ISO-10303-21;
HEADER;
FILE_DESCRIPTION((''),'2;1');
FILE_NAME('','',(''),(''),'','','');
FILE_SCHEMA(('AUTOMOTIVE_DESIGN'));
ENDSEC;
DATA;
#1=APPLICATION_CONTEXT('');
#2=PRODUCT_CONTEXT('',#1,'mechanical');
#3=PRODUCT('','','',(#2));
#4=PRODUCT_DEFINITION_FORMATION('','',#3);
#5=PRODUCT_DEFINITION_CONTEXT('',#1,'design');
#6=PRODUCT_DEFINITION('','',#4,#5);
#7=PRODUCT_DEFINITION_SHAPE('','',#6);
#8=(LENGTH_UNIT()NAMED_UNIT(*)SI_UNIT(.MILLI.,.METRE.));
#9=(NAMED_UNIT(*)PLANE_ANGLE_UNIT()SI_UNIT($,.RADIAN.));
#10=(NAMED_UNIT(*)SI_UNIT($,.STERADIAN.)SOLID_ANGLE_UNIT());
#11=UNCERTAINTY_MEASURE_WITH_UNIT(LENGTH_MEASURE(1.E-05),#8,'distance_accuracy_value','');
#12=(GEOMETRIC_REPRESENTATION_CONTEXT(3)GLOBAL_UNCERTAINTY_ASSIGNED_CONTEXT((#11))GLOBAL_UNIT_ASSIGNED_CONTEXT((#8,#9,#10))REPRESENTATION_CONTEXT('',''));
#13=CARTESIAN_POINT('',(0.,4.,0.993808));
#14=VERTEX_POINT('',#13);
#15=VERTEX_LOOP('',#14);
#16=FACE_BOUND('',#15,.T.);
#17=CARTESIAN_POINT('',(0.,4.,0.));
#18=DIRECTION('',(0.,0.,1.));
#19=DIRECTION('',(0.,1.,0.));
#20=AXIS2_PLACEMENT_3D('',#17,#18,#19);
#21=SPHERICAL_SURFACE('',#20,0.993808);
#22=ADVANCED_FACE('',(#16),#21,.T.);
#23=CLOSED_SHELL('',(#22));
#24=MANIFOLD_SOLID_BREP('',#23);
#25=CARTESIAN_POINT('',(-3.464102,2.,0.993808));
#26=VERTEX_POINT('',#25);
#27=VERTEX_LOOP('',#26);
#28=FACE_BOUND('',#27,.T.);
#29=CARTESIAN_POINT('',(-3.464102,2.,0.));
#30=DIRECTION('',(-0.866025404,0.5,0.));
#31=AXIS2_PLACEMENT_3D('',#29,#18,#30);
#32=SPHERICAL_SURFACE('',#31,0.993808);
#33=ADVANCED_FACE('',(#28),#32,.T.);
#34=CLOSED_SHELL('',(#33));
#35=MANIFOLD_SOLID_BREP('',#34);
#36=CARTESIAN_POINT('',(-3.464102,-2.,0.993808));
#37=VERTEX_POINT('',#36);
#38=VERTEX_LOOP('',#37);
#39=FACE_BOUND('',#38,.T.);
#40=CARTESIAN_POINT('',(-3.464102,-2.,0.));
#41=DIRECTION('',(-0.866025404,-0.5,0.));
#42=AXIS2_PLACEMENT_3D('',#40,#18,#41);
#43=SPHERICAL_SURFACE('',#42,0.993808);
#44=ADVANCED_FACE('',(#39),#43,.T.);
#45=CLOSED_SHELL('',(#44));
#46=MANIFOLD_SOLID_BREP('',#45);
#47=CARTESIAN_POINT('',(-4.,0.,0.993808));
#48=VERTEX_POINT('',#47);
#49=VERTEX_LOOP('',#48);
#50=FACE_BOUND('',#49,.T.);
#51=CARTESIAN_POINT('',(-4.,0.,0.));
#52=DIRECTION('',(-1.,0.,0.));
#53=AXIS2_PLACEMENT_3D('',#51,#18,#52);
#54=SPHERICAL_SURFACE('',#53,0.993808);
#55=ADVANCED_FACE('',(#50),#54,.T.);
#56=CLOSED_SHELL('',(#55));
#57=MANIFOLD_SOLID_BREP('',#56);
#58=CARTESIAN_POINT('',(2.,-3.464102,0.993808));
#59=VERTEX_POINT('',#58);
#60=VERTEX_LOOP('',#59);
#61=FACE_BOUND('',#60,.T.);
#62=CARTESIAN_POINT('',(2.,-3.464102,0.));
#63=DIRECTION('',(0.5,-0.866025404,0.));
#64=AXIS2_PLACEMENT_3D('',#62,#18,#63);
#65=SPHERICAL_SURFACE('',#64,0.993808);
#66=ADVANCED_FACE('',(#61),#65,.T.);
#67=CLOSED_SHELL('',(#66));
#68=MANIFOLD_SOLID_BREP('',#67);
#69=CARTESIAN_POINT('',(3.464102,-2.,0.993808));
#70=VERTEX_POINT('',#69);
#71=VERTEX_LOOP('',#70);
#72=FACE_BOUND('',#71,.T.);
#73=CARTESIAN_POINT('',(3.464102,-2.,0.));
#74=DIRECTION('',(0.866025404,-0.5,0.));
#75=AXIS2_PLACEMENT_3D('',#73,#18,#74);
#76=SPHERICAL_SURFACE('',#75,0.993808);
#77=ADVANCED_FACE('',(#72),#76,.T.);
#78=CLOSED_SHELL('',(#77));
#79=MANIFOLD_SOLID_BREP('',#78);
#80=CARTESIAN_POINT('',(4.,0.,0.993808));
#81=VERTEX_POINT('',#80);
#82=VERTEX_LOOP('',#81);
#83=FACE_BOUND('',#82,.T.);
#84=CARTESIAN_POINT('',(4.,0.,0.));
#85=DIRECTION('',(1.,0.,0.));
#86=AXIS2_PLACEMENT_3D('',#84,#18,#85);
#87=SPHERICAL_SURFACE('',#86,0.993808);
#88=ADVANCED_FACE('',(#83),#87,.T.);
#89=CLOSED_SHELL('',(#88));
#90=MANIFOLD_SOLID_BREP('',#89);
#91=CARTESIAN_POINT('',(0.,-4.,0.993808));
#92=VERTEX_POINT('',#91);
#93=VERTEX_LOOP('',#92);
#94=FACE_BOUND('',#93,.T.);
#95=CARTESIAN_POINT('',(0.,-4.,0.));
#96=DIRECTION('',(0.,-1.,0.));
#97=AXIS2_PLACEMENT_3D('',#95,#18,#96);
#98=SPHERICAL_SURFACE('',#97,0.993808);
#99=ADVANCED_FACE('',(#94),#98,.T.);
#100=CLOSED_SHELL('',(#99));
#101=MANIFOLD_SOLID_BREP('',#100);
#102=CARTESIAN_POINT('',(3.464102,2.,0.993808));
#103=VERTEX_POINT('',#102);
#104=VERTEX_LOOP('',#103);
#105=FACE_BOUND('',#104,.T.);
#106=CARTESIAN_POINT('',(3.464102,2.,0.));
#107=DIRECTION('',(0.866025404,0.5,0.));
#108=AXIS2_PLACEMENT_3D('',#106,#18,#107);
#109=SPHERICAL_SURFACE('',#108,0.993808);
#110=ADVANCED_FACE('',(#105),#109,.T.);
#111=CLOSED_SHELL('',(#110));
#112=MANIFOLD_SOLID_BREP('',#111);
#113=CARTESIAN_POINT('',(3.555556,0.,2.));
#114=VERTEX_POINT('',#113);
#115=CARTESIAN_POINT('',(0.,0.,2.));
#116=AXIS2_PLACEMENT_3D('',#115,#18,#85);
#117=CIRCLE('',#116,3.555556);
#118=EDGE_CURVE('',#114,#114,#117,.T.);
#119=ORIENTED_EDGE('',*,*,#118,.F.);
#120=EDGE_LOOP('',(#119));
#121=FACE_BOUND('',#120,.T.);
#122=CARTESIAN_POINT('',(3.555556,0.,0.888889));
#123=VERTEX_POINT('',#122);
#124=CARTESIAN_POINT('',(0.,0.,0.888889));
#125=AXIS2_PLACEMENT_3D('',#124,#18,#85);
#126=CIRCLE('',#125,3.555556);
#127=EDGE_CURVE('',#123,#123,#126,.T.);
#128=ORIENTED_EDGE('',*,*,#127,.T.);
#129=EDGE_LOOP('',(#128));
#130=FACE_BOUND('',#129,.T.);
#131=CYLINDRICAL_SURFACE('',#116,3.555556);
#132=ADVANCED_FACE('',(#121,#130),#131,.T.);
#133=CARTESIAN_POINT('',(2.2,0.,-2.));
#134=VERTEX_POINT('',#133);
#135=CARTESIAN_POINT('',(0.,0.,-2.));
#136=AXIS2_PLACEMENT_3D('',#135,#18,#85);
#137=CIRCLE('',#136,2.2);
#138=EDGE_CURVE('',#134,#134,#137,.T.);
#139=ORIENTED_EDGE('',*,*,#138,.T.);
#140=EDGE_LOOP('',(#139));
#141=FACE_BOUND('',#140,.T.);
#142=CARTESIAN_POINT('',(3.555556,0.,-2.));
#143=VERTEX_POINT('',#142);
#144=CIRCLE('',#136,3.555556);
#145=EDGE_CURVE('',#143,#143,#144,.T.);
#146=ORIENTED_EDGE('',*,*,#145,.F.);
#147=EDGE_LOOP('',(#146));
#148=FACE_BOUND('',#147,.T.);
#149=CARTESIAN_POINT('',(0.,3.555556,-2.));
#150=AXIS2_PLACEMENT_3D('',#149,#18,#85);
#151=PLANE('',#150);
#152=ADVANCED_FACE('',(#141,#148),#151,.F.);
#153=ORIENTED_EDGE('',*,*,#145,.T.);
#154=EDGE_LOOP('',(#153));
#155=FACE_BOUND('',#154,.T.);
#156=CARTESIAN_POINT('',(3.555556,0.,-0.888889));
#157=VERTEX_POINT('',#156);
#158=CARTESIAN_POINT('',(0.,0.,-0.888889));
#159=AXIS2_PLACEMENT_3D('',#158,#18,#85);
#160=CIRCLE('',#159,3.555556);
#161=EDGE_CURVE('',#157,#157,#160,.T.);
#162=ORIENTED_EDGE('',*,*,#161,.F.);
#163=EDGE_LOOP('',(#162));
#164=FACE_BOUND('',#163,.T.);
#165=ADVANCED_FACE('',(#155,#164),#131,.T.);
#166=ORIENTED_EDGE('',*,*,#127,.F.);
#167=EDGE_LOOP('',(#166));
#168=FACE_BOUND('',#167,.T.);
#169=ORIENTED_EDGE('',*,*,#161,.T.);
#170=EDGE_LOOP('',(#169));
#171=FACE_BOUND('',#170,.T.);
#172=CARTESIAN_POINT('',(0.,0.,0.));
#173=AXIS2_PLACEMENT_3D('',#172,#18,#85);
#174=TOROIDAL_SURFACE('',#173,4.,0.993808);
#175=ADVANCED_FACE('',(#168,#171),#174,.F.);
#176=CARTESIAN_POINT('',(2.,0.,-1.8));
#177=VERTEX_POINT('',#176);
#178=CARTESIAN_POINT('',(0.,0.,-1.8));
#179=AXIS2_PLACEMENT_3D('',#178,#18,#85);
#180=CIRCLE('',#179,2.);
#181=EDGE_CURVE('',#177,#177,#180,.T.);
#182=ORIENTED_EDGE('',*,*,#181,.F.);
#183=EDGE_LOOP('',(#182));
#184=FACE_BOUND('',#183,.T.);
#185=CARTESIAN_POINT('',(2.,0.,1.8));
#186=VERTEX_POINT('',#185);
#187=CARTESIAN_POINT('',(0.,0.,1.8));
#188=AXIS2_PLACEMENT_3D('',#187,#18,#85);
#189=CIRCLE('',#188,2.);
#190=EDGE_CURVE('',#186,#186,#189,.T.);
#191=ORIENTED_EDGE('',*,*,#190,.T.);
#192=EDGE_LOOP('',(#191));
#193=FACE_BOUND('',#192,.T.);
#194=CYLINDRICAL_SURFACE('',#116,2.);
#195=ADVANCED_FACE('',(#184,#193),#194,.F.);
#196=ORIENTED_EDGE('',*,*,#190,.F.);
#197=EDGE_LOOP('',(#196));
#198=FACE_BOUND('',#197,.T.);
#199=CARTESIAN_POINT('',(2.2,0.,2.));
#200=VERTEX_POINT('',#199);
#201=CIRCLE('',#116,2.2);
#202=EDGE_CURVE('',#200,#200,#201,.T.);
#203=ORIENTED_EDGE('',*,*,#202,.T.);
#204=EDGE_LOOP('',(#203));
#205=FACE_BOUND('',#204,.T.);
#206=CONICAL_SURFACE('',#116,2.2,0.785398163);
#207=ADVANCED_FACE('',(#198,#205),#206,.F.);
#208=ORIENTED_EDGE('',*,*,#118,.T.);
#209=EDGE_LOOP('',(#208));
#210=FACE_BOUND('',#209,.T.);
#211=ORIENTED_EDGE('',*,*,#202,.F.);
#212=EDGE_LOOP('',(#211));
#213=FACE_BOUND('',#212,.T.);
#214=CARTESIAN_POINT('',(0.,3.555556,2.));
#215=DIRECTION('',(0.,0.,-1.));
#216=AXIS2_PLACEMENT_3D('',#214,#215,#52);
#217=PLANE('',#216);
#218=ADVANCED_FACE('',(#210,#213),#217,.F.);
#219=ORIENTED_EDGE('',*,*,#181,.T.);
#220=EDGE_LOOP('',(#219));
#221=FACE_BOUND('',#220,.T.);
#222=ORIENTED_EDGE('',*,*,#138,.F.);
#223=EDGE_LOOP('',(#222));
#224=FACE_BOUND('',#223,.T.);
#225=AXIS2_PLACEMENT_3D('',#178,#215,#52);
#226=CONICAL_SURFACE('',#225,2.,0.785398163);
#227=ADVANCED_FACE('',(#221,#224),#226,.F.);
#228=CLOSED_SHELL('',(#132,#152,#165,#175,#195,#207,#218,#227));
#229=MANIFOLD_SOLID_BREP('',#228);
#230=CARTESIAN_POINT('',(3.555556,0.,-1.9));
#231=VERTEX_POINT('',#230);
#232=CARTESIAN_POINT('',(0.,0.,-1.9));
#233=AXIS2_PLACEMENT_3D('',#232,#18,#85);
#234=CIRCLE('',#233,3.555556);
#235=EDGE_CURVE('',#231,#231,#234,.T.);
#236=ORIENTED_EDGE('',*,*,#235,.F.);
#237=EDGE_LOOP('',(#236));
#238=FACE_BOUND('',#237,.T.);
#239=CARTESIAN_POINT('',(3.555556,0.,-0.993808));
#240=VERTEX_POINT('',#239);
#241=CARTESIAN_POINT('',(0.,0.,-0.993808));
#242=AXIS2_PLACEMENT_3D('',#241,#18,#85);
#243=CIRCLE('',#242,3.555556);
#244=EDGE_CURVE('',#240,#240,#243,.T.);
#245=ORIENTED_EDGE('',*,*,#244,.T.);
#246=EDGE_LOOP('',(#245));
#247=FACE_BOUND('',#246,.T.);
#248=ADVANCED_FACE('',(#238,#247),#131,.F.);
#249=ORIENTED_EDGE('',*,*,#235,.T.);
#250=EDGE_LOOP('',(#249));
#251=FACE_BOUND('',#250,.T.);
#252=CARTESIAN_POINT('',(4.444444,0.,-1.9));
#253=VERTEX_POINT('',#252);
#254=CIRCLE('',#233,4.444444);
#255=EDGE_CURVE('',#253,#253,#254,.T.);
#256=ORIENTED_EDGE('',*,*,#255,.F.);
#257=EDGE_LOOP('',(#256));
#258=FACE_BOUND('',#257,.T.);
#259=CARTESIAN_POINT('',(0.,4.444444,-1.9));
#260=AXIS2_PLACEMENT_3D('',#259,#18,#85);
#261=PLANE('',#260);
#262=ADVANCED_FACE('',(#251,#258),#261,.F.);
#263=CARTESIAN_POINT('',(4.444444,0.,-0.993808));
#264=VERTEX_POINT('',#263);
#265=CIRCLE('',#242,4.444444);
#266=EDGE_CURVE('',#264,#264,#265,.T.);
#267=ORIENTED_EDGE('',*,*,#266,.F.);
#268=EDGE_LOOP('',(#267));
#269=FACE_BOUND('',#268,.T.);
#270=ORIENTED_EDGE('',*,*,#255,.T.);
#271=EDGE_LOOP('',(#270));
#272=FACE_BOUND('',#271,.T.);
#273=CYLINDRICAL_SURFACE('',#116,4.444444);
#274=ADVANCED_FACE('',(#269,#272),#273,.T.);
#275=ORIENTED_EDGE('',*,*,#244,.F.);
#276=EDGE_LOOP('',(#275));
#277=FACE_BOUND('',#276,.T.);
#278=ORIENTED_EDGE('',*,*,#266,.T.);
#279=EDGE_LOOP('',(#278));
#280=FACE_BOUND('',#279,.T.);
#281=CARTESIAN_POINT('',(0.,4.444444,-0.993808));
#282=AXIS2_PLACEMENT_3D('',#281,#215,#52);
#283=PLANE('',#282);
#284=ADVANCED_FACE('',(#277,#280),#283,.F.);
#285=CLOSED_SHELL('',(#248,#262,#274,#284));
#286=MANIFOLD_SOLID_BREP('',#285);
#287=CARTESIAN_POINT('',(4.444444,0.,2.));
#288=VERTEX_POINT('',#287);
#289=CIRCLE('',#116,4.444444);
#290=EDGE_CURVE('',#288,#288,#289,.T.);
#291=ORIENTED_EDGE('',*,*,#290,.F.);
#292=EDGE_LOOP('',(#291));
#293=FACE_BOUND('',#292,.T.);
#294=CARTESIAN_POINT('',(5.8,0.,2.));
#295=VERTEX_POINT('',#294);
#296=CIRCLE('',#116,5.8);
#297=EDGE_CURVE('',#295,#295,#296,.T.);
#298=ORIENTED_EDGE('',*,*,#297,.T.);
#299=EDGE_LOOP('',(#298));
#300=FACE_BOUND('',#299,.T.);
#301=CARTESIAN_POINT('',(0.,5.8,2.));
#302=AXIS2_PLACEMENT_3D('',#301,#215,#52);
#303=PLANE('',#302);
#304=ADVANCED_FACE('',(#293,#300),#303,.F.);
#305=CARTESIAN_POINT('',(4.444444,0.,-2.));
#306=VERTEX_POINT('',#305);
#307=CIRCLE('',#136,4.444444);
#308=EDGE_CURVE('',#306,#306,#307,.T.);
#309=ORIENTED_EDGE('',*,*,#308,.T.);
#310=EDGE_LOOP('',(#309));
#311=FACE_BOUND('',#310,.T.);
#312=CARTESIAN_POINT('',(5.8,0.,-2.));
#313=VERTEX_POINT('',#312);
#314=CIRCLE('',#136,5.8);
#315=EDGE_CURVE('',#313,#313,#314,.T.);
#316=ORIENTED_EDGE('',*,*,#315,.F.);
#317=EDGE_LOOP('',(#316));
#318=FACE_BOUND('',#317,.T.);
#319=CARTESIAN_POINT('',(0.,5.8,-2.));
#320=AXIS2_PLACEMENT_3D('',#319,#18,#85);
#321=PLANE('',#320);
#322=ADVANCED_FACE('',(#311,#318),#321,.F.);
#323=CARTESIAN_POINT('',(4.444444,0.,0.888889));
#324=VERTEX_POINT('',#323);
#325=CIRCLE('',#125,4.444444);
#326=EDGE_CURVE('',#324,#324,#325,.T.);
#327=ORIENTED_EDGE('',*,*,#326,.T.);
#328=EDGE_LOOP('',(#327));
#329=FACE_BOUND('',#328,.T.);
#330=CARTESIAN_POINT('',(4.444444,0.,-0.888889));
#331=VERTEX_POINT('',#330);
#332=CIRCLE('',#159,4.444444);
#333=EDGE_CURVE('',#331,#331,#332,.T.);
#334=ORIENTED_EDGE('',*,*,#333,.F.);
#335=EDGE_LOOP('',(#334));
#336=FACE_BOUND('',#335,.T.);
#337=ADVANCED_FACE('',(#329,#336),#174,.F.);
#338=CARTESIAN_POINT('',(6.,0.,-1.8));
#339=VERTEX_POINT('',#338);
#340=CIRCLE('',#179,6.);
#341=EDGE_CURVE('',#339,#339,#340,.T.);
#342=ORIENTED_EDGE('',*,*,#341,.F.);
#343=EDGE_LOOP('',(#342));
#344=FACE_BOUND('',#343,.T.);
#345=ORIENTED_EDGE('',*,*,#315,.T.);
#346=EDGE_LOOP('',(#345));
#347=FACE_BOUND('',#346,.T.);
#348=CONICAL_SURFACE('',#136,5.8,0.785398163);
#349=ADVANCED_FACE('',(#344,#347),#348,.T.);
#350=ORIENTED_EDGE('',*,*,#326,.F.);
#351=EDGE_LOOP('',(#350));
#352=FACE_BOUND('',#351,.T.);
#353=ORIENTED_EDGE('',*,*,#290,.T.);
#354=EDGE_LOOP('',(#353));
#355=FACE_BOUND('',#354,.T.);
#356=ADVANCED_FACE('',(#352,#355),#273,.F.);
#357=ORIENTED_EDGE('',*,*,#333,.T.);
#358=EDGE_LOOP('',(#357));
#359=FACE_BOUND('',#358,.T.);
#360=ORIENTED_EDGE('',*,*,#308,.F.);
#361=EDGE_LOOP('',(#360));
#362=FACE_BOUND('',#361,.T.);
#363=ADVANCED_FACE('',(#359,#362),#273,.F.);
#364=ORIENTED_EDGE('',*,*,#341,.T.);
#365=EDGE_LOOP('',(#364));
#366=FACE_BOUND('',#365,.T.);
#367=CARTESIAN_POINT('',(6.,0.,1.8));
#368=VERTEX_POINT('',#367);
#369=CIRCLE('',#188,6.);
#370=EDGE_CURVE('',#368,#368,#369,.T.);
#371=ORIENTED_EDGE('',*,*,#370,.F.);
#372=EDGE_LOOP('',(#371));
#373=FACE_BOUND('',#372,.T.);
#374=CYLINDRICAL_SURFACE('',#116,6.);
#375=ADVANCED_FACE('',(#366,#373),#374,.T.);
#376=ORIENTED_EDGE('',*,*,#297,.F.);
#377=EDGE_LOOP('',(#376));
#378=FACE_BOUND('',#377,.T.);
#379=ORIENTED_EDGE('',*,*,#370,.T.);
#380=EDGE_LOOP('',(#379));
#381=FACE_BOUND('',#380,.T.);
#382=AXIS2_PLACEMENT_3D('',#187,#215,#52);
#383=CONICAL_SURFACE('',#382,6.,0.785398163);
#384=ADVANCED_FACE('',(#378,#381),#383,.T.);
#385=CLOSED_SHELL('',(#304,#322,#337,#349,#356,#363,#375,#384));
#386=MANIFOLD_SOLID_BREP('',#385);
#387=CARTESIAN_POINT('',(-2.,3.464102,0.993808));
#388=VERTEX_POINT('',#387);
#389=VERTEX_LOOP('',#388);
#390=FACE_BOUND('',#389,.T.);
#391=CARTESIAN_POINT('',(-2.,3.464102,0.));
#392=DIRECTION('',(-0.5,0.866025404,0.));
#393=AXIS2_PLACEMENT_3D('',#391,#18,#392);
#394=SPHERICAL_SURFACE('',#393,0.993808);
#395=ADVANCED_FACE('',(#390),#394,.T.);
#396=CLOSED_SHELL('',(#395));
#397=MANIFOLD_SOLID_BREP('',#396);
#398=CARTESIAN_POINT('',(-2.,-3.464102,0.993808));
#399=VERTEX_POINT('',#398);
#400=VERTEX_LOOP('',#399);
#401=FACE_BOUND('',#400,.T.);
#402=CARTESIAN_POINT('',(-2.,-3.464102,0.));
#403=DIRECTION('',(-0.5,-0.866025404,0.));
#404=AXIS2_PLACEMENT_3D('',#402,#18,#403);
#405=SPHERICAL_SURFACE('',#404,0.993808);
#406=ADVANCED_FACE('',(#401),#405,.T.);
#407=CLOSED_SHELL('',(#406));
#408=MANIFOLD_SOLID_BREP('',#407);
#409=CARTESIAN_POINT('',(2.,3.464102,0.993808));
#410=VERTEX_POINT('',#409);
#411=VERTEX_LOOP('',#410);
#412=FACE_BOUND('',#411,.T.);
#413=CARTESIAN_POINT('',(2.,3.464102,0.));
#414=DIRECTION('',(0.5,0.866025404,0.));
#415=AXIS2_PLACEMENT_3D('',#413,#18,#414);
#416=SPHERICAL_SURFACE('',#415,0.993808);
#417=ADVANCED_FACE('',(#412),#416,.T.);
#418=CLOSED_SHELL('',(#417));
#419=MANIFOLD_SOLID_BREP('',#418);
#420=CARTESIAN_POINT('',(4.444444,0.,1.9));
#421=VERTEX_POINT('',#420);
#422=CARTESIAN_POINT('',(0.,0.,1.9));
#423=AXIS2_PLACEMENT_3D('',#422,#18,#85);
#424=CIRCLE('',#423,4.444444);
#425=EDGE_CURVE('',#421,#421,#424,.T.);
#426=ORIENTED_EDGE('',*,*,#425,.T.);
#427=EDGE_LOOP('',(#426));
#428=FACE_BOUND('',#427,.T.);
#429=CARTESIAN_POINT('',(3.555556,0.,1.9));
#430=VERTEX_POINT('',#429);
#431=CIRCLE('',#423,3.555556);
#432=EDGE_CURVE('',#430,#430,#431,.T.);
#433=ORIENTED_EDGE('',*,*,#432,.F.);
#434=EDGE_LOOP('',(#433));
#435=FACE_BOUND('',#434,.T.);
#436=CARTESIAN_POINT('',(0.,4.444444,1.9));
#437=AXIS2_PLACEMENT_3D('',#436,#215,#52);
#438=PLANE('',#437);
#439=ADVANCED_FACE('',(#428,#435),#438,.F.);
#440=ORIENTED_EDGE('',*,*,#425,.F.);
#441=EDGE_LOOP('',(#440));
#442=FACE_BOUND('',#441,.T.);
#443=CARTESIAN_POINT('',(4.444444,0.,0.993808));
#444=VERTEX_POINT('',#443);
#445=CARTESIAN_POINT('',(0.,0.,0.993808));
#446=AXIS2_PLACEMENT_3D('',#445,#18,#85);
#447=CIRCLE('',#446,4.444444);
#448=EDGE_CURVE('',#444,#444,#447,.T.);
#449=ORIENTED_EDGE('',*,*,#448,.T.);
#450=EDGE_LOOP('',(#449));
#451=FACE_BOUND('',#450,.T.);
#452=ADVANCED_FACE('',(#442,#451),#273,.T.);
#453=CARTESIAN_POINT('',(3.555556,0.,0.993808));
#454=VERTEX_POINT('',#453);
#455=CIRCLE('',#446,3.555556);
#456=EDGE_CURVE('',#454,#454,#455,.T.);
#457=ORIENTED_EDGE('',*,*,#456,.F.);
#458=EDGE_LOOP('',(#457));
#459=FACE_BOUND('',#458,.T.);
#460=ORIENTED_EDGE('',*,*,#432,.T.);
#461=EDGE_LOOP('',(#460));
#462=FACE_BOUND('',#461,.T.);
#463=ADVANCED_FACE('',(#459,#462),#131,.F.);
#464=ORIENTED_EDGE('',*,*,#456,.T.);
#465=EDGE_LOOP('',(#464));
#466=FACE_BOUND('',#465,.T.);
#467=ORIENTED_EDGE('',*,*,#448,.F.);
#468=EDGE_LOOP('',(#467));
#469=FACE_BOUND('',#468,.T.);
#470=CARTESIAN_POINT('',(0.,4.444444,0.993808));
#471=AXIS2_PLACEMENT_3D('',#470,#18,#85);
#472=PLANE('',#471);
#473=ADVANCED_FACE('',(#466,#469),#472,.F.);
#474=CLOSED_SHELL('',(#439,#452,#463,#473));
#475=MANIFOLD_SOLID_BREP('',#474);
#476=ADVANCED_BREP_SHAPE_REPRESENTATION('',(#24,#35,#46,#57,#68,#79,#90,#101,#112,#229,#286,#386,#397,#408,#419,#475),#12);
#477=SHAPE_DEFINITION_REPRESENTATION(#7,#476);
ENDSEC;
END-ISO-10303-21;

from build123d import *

# Parameters (mm, degrees)
CIRPATTERN1_COUNT = 12
SKETCH5_W         = 0.90619201
SKETCH5_H         = 0.888888888


with BuildPart() as part:
    # Sketch1 → Revolve1 (revolve)
    with BuildSketch(Plane(origin=(0, 0, 0), x_dir=(0, 0, -1), z_dir=(1, 0, 0))):
        with BuildLine():
            Line((1.8, 6), (-1.8, 6))
            Line((-1.8, 6), (-2, 5.8))
            Line((-2, 5.8), (-2, 4.444444444))
            Line((-2, 4.444444444), (-0.888888889, 4.444444444))
            ThreePointArc((-0.888888889, 4.444444444), (0, 4.99380799), (0.888888889, 4.444444444))
            Line((0.888888889, 4.444444444), (2, 4.444444444))
            Line((2, 4.444444444), (2, 5.8))
            Line((2, 5.8), (1.8, 6))
        make_face()
    revolve(axis=Axis((0, 0, 2), (0, 0, -1)))


with BuildPart() as body_2:
    # Sketch2 → Revolve2 (revolve)
    with BuildSketch(Plane(origin=(0, 0, 0), x_dir=(0, 0, -1), z_dir=(1, 0, 0))):
        with BuildLine():
            Line((-2, 3.555555556), (-0.888888889, 3.555555556))
            ThreePointArc((-0.888888889, 3.555555556), (0, 3.00619201), (0.888888889, 3.555555556))
            Line((0.888888889, 3.555555556), (2, 3.555555556))
            Line((2, 3.555555556), (2, 2.2))
            Line((2, 2.2), (1.8, 2))
            Line((1.8, 2), (-1.8, 2))
            Line((-1.8, 2), (-2, 2.2))
            Line((-2, 2.2), (-2, 3.555555556))
        make_face()
    revolve(axis=Axis((0, 0, 2), (0, 0, -1)))


with BuildPart() as body_3:
    # Sketch3 → Revolve3 (revolve)
    with BuildSketch(Plane(origin=(0, 0, 0), x_dir=(0, 0, -1), z_dir=(1, 0, 0))):
        with BuildLine():
            Line((-0.99380799, 4), (0.99380799, 4))
            ThreePointArc((0.99380799, 4), (0, 4.99380799), (-0.99380799, 4))
        make_face()
    revolve(axis=Axis((0, 4, 0.99380799), (0, 0, -1)))


with BuildPart() as cirpattern1_1:
    # CirPattern1: pattern copy
    add(body_3.part.rotate(Axis((0, 0, -2), (0, 0, 1)), 1 * 360 / CIRPATTERN1_COUNT))


with BuildPart() as cirpattern1_2:
    # CirPattern1: pattern copy
    add(body_3.part.rotate(Axis((0, 0, -2), (0, 0, 1)), 2 * 360 / CIRPATTERN1_COUNT))


with BuildPart() as cirpattern1_3:
    # CirPattern1: pattern copy
    add(body_3.part.rotate(Axis((0, 0, -2), (0, 0, 1)), 3 * 360 / CIRPATTERN1_COUNT))


with BuildPart() as cirpattern1_4:
    # CirPattern1: pattern copy
    add(body_3.part.rotate(Axis((0, 0, -2), (0, 0, 1)), 4 * 360 / CIRPATTERN1_COUNT))


with BuildPart() as cirpattern1_5:
    # CirPattern1: pattern copy
    add(body_3.part.rotate(Axis((0, 0, -2), (0, 0, 1)), 5 * 360 / CIRPATTERN1_COUNT))


with BuildPart() as cirpattern1_6:
    # CirPattern1: pattern copy
    add(body_3.part.rotate(Axis((0, 0, -2), (0, 0, 1)), 6 * 360 / CIRPATTERN1_COUNT))


with BuildPart() as cirpattern1_7:
    # CirPattern1: pattern copy
    add(body_3.part.rotate(Axis((0, 0, -2), (0, 0, 1)), 7 * 360 / CIRPATTERN1_COUNT))


with BuildPart() as cirpattern1_8:
    # CirPattern1: pattern copy
    add(body_3.part.rotate(Axis((0, 0, -2), (0, 0, 1)), 8 * 360 / CIRPATTERN1_COUNT))


with BuildPart() as cirpattern1_9:
    # CirPattern1: pattern copy
    add(body_3.part.rotate(Axis((0, 0, -2), (0, 0, 1)), 9 * 360 / CIRPATTERN1_COUNT))


with BuildPart() as cirpattern1_10:
    # CirPattern1: pattern copy
    add(body_3.part.rotate(Axis((0, 0, -2), (0, 0, 1)), 10 * 360 / CIRPATTERN1_COUNT))


with BuildPart() as cirpattern1_11:
    # CirPattern1: pattern copy
    add(body_3.part.rotate(Axis((0, 0, -2), (0, 0, 1)), 11 * 360 / CIRPATTERN1_COUNT))


with BuildPart() as body_15:
    # Sketch5 → Revolve5 (revolve)
    with BuildSketch(Plane(origin=(0, 0, 0), x_dir=(0, 0, -1), z_dir=(1, 0, 0))):
        with Locations((-1.446903995, 4)):
            Rectangle(SKETCH5_W, SKETCH5_H)
        with Locations((1.446903995, 4)):
            Rectangle(SKETCH5_W, SKETCH5_H)
    revolve(axis=Axis((0, 0, 2), (0, 0, -1)))


solid = Compound([part.part, body_2.part, body_3.part, cirpattern1_1.part, cirpattern1_2.part, cirpattern1_3.part, cirpattern1_4.part, cirpattern1_5.part, cirpattern1_6.part, cirpattern1_7.part, cirpattern1_8.part, cirpattern1_9.part, cirpattern1_10.part, cirpattern1_11.part, body_15.part])
